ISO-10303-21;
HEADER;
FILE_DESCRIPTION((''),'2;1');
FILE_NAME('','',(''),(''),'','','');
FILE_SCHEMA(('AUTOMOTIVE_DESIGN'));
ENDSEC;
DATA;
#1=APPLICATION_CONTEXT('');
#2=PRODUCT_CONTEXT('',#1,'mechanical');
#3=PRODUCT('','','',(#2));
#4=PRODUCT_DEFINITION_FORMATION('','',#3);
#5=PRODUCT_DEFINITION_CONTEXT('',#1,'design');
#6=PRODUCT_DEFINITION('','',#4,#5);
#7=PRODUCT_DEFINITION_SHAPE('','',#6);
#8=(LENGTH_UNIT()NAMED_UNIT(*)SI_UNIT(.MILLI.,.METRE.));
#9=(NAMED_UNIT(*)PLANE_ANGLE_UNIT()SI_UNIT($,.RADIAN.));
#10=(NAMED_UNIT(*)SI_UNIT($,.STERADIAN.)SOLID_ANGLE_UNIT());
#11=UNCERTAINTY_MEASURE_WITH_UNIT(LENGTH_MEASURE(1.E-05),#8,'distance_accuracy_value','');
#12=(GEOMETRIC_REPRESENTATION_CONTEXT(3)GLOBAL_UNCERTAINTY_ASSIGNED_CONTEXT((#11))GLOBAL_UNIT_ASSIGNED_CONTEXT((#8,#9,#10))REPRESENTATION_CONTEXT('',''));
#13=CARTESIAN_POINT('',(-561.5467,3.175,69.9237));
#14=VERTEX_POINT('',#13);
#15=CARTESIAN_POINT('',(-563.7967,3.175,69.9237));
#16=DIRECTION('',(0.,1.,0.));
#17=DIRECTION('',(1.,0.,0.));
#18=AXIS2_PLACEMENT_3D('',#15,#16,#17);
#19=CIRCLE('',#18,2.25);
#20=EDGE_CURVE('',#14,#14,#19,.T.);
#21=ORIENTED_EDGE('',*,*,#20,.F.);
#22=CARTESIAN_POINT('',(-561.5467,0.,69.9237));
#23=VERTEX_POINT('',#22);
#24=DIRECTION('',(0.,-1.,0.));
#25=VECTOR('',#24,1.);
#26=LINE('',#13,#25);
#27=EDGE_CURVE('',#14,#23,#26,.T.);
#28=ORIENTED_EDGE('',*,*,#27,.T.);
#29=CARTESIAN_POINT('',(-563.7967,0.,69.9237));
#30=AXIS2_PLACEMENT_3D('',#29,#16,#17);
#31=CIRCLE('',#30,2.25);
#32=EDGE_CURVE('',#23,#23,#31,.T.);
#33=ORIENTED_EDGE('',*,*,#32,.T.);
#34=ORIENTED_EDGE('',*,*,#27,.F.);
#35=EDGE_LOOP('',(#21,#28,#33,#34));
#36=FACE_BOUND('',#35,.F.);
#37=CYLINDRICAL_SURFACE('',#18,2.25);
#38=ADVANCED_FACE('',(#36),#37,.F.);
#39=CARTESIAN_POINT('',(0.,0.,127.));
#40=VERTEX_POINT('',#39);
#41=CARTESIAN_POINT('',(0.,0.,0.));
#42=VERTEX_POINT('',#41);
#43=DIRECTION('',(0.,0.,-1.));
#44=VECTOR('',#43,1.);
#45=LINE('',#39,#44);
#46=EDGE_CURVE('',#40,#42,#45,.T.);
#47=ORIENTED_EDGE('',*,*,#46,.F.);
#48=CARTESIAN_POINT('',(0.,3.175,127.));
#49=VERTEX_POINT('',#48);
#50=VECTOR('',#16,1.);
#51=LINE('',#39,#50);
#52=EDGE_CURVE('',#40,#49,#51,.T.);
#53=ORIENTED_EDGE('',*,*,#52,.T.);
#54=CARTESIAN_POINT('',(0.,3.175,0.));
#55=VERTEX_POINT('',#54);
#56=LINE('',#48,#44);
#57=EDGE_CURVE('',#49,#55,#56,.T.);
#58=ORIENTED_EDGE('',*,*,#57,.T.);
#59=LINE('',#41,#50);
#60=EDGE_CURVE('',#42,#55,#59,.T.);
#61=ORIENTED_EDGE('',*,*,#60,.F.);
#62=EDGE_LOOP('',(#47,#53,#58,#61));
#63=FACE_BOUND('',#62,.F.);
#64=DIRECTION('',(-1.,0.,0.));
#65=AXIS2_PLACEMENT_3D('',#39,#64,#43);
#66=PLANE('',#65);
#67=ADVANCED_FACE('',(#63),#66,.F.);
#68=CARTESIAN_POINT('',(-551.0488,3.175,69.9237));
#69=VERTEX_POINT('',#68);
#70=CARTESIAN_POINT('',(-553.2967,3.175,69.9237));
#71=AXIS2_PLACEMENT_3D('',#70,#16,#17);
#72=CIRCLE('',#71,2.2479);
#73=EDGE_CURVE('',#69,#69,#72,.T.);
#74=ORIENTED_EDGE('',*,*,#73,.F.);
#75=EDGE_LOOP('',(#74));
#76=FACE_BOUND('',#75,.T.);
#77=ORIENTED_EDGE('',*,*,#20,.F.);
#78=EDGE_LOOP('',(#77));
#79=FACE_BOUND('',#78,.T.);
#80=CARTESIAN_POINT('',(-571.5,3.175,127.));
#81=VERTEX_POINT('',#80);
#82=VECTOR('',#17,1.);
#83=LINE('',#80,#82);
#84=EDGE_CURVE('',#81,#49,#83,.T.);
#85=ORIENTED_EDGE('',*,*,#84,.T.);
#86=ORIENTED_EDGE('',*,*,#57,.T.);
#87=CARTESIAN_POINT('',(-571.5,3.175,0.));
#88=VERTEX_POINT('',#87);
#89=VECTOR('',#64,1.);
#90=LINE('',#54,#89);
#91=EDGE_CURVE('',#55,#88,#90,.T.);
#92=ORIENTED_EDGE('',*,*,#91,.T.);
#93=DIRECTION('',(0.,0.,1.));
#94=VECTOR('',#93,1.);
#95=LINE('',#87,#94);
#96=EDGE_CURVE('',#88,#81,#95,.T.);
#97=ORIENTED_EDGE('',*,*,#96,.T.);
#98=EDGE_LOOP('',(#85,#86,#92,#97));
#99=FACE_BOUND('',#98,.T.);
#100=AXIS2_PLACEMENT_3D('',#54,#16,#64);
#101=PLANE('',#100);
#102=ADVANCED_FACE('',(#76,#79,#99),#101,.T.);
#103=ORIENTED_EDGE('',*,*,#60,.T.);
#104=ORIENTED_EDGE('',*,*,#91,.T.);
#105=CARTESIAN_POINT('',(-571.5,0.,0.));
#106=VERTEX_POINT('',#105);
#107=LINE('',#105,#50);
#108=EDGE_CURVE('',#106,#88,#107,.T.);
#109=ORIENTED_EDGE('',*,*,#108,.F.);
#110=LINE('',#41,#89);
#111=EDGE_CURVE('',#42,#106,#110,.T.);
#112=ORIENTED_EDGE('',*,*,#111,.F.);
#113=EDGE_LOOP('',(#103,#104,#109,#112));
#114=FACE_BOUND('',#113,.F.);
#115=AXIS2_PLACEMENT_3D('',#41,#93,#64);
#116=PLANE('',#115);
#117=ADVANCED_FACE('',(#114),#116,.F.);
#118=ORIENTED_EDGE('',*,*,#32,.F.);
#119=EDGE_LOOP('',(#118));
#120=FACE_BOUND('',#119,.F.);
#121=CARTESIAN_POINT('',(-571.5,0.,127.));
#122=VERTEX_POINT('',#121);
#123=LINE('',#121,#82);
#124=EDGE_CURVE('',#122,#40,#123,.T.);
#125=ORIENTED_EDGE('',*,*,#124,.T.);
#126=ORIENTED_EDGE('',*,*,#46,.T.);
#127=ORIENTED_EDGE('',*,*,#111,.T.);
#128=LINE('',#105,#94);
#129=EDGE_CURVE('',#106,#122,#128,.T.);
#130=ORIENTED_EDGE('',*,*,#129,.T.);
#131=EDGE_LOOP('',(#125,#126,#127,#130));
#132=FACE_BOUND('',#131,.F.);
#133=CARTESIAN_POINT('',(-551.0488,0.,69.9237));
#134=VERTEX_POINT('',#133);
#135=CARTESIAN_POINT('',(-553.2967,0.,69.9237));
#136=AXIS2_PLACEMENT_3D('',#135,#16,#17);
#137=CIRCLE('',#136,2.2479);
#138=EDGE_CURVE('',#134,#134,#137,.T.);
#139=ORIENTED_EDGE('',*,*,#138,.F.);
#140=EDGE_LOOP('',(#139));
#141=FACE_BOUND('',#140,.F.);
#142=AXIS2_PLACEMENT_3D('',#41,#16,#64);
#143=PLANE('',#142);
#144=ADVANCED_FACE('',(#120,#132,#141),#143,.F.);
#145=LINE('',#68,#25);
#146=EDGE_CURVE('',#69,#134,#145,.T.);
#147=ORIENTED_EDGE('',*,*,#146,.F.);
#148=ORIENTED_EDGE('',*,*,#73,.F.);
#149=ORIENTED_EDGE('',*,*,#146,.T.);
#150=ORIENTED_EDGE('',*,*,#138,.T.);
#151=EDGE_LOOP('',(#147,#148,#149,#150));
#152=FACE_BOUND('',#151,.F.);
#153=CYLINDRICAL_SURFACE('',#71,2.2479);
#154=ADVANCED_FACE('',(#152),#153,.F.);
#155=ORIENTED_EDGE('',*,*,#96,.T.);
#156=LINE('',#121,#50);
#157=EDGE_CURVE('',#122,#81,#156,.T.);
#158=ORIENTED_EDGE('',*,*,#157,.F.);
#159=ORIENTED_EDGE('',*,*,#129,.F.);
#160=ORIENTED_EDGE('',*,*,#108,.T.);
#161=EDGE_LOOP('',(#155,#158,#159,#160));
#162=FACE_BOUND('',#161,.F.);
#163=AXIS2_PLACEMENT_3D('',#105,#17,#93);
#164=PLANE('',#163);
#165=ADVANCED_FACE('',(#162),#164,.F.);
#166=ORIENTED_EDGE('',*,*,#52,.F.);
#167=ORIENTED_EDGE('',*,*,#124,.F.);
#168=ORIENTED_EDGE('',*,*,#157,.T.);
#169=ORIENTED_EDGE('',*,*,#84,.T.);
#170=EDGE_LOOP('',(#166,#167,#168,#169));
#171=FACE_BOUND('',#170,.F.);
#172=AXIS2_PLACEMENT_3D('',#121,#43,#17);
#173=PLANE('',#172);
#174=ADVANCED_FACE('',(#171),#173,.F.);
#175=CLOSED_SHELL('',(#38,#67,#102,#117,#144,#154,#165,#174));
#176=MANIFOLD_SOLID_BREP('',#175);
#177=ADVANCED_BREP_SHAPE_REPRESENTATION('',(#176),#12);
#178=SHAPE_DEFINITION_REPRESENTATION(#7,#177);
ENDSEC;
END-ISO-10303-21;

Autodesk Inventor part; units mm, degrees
ref_plane "YZ Plane" through (0, 0, 0) normal (1, 0, 0) x (0, 1, 0)
ref_plane "XZ Plane" through (0, 0, 0) normal (0, 1, 0) x (-1, 0, 0)
ref_plane "XY Plane" through (0, 0, 0) normal (0, 0, 1) x (1, 0, 0)
sketch "Sketch1" plane through (0, 0, 0) normal (0, 1, 0) x (-1, 0, 0)
  line L0 (0, 0) -> (571.5, 0)
  line L1 (571.5, 0) -> (571.5, 127)
  line L2 (571.5, 127) -> (0, 127)
  line L3 (0, 127) -> (0, 0)
  dimension "d0" = 571.5
  dimension "d1" = 127
extrude "Extrusion1" add sketch "Sketch1" along normal blind 3.175
sketch "Sketch2" plane through (0, 3.175, 0) normal (0, 1, 0) x (1, 0, 0)
  circle A0 centre (-563.7967, -69.9237) radius 2.25
  circle A1 centre (-553.2967, -69.9237) radius 2.2479
  point P0 (0, 0)
  dimension "d23" = 4.4958
  dimension "d24" = 10.5
extrude "Extrusion4" cut sketch "Sketch2" against normal through all
properties part number "Support Sheet" material "Aluminum 6061"
